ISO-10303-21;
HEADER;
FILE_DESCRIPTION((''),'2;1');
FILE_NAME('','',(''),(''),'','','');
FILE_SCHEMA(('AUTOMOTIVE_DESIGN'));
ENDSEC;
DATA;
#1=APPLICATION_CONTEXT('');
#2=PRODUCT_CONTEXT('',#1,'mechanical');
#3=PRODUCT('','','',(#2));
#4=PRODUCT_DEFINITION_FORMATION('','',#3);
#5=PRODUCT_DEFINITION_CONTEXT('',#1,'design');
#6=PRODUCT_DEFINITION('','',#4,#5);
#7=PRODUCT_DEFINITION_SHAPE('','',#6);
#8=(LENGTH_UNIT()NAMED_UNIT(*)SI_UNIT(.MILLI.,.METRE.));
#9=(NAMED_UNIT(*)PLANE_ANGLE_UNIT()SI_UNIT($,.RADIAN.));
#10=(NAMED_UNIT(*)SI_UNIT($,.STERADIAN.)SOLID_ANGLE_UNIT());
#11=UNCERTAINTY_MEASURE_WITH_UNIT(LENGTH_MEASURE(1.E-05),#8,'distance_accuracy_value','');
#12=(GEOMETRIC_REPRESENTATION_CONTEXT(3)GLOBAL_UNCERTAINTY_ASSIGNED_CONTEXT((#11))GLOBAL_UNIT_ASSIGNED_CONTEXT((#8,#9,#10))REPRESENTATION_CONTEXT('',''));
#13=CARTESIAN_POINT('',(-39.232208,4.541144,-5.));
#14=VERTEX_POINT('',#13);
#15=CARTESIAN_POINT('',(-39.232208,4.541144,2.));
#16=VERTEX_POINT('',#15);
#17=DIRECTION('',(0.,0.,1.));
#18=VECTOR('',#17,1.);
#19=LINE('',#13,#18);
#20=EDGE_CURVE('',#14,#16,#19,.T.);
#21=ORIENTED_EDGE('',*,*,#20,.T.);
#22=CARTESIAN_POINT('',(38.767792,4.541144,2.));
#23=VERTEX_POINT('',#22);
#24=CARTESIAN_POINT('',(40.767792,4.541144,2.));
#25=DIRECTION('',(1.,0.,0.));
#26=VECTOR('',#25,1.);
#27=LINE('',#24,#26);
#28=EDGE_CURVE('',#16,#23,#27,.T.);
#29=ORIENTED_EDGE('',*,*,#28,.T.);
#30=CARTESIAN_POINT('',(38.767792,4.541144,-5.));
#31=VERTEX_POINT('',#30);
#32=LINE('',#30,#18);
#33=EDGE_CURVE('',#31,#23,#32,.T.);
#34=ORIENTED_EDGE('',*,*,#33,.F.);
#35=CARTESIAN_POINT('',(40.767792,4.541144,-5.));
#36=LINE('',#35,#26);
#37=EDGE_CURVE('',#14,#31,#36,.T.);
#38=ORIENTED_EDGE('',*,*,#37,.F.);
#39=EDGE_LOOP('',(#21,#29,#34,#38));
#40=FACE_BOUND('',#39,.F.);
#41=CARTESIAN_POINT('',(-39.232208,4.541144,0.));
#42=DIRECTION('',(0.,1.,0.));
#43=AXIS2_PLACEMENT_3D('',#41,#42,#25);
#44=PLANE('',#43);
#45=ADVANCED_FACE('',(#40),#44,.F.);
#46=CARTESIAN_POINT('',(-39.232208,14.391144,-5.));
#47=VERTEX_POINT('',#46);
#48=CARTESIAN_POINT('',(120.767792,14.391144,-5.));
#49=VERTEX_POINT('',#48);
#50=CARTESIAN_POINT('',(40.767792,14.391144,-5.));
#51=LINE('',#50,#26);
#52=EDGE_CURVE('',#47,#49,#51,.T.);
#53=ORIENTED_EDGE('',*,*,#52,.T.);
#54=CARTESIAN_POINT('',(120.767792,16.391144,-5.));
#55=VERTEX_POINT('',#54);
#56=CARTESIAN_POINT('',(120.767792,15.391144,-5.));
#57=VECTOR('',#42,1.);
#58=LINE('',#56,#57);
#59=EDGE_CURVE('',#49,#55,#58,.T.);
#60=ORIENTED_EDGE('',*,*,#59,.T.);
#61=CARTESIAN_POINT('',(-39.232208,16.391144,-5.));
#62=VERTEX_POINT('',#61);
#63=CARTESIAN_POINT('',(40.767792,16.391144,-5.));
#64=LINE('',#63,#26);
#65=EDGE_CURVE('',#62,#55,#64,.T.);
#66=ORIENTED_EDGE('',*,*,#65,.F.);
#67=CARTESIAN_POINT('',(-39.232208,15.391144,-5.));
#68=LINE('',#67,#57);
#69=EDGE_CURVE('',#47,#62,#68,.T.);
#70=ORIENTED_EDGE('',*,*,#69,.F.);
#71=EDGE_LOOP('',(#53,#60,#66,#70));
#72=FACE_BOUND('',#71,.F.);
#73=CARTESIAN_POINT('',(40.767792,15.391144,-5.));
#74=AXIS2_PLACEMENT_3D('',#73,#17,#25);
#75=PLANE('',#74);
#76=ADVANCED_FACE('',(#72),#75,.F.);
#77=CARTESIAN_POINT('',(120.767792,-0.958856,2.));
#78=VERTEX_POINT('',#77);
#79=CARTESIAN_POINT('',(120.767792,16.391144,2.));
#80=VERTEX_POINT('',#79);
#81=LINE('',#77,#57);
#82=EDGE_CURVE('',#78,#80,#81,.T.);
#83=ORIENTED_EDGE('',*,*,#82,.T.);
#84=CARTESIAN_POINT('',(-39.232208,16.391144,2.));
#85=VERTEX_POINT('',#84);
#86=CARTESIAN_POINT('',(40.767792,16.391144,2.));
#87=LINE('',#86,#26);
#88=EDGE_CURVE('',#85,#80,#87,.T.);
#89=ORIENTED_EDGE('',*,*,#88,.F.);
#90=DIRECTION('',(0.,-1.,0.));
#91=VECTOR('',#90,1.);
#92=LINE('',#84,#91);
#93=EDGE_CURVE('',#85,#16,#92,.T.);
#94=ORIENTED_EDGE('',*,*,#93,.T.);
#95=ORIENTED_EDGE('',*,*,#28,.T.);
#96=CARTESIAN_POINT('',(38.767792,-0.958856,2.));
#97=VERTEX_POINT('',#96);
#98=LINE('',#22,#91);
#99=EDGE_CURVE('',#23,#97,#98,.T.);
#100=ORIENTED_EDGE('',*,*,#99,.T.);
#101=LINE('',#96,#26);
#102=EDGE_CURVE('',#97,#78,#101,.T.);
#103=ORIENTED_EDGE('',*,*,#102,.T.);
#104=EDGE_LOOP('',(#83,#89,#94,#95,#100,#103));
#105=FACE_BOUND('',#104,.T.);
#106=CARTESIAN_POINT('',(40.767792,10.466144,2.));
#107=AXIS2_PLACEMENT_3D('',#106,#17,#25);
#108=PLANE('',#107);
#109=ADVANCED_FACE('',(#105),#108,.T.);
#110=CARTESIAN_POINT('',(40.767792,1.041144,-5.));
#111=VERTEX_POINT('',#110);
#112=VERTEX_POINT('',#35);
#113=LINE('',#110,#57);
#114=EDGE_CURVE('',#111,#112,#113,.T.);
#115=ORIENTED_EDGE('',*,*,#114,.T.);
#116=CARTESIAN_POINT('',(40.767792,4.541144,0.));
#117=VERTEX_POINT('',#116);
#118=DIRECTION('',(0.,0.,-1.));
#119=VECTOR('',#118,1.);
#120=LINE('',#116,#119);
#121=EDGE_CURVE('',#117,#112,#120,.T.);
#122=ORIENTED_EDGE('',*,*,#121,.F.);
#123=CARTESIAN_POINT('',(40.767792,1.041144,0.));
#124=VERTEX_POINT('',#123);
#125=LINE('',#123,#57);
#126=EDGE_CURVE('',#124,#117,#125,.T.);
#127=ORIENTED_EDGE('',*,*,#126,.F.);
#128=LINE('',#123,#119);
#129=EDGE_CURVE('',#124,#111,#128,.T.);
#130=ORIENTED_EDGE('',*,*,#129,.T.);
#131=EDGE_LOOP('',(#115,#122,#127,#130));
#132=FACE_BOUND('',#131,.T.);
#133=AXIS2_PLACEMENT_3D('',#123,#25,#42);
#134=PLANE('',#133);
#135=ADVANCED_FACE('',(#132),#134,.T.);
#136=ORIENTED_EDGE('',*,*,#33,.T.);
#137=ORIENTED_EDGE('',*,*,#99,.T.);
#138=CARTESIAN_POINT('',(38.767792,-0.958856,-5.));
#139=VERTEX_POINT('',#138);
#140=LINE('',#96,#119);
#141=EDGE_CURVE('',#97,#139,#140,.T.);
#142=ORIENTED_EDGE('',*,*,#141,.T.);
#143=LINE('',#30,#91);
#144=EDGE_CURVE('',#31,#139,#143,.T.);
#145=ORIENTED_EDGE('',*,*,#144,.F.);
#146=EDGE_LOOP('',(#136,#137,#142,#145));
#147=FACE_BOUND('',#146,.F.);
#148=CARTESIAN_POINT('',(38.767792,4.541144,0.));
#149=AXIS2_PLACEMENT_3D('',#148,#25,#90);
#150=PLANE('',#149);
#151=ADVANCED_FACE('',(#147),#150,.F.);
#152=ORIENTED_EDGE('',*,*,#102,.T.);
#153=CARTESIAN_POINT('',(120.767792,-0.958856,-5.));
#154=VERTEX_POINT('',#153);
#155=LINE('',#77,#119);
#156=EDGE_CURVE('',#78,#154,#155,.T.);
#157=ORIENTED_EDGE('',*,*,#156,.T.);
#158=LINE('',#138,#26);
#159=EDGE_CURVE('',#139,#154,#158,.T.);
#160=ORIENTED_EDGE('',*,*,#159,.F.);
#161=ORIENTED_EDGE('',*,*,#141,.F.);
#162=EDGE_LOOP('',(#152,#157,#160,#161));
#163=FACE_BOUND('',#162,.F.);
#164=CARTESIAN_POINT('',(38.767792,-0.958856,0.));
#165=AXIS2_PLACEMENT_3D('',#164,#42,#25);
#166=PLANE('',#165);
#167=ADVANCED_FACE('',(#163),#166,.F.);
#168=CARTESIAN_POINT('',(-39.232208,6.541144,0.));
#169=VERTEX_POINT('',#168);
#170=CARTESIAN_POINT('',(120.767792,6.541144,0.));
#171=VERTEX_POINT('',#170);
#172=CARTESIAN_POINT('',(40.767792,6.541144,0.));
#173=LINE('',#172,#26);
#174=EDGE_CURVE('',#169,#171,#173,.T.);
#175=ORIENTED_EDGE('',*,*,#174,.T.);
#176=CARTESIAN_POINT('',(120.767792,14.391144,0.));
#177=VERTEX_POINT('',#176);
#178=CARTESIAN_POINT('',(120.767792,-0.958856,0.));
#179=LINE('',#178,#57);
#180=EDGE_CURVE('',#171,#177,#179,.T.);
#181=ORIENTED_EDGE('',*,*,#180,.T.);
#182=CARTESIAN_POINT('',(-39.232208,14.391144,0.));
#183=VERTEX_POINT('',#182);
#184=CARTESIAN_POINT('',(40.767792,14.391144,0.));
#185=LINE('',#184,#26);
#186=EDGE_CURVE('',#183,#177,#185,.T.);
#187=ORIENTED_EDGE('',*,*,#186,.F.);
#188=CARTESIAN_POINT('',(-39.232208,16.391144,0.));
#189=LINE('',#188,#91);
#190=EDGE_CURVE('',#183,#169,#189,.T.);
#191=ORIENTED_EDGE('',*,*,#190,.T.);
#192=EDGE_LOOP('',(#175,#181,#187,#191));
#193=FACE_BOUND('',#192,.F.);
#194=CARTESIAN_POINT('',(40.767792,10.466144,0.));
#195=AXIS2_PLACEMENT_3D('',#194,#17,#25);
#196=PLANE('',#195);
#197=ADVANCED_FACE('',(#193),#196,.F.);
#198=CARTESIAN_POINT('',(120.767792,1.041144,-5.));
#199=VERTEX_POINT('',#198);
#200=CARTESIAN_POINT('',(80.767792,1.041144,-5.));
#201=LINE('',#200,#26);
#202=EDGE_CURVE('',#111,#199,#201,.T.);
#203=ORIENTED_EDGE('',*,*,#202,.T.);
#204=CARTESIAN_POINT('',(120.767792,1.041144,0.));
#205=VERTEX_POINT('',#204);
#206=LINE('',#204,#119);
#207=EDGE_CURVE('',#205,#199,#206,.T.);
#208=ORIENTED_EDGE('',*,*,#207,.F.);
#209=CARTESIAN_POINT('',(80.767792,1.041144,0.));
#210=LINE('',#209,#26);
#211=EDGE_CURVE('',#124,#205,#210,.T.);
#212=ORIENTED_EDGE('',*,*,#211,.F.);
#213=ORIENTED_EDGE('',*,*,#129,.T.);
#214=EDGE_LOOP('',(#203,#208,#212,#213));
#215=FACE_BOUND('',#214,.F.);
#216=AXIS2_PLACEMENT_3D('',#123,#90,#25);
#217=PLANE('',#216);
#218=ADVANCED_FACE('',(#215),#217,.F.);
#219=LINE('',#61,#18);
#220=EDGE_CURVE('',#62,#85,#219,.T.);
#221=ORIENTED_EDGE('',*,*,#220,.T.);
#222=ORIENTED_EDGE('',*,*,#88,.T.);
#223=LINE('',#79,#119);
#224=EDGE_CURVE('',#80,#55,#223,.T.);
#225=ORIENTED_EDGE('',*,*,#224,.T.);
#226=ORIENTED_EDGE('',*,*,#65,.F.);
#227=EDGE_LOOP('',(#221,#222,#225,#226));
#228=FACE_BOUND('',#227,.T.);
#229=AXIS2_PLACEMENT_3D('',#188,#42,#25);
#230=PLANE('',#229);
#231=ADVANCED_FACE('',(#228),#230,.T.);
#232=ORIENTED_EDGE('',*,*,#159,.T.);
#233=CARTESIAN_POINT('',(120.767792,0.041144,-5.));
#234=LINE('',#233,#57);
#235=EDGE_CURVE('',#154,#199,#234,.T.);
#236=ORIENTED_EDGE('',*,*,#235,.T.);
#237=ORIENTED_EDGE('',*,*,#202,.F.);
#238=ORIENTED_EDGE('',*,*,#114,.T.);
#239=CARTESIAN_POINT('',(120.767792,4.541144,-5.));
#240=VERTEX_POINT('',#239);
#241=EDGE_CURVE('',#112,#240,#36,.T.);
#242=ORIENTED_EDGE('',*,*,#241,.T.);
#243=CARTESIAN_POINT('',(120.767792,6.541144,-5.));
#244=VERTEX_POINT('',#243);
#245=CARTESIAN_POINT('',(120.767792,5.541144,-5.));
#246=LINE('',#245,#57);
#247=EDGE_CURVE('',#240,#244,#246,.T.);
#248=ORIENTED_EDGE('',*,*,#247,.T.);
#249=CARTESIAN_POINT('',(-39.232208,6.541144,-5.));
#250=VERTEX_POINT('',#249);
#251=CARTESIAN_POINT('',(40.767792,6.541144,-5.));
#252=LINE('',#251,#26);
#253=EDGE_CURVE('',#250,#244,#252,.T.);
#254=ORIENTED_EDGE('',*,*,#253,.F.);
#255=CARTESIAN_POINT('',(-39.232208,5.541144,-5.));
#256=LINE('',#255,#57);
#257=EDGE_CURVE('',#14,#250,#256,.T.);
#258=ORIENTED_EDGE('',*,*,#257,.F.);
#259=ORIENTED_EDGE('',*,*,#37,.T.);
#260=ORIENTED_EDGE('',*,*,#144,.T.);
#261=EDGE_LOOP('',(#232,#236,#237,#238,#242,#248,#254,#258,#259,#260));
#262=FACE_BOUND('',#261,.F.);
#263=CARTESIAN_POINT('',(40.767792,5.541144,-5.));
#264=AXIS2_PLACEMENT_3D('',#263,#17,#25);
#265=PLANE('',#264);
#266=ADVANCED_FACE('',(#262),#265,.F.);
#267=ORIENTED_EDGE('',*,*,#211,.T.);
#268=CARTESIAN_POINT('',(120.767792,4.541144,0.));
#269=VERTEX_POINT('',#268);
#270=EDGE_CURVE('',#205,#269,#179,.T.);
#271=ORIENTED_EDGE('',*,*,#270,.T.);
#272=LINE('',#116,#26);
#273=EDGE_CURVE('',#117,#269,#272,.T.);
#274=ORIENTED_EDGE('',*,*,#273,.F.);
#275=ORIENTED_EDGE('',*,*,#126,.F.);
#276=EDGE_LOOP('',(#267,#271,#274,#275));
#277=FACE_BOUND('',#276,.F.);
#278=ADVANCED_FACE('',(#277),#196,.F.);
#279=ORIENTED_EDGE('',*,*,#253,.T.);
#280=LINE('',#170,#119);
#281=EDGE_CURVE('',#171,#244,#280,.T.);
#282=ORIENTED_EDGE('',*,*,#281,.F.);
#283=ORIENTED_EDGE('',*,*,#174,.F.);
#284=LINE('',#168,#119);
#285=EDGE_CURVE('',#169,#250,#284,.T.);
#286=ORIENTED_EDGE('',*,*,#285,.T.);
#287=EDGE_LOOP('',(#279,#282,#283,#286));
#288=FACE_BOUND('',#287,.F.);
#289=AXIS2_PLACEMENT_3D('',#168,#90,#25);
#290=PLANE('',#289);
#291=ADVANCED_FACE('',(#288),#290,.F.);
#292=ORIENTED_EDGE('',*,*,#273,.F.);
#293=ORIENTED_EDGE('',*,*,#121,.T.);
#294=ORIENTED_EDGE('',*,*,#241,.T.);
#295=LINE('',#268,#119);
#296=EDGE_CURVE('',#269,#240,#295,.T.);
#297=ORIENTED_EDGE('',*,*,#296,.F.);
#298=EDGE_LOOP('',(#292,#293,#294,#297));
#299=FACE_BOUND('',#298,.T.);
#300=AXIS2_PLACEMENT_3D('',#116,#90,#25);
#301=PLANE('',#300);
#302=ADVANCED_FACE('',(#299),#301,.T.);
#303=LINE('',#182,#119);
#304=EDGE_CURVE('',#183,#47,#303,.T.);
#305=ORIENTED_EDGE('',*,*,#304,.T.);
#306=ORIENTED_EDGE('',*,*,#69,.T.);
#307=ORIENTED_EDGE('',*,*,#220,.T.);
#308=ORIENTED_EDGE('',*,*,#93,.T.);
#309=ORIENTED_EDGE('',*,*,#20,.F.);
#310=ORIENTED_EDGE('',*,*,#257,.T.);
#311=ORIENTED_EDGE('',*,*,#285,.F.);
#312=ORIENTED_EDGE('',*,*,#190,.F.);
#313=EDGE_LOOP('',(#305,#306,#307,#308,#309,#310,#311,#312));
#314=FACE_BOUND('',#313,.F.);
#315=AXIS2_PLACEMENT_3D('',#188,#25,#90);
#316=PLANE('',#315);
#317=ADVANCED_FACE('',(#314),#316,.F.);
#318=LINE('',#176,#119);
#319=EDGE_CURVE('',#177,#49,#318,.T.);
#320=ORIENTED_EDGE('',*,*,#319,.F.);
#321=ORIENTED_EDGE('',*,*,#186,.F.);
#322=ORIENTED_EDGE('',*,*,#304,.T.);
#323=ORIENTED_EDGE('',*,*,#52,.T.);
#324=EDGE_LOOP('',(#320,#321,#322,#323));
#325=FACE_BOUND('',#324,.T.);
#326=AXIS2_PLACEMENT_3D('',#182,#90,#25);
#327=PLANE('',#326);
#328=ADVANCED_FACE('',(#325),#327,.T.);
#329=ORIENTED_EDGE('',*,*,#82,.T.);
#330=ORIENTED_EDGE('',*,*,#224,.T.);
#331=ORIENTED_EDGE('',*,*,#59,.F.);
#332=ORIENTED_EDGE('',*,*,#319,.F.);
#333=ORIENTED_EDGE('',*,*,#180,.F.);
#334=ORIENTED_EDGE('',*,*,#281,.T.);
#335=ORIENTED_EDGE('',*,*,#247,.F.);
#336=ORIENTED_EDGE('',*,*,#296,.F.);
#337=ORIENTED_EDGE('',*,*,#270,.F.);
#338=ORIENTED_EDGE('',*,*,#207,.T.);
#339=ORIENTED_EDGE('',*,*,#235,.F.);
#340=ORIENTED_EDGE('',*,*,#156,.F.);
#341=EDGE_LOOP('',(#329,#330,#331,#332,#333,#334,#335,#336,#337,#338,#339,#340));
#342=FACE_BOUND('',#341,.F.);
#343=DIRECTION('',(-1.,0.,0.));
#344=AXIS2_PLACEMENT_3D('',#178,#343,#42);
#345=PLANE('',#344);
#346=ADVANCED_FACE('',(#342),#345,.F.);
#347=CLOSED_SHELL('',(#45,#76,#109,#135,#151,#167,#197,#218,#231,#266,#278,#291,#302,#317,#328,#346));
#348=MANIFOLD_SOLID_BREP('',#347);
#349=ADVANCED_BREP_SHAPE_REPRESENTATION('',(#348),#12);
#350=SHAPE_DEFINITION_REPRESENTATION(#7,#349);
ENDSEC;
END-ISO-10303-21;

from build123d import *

# Parameters (mm, degrees)
ESBO_O1_W                = 160
ESBO_O1_H                = 2
ESBO_O1_W_2              = 80
RESSALTO_EXTRUS_O1_DEPTH = 5
ESBO_O1_3_W              = 160
ESBO_O1_3_H              = 7.85
ESBO_O1_3_W_2            = 80
ESBO_O1_3_H_2            = 3.5
ESBO_O1_3_H_3            = 2
RESSALTO_EXTRUS_O2_DEPTH = 2


with BuildPart() as part:
    # Esbo_o1 → Ressalto-extrus_o1 (new body)
    with BuildSketch(Plane.XY):
        with Locations((40.767792431, 15.391143911)):
            Rectangle(ESBO_O1_W, ESBO_O1_H)
        with Locations((40.767792431, 5.541143911)):
            Rectangle(ESBO_O1_W, ESBO_O1_H)
        with Locations((80.767792431, 0.041143911)):
            Rectangle(ESBO_O1_W_2, ESBO_O1_H)
        Polygon((40.767792431, 4.541143911), (38.767792431, 4.541143911), (38.767792431, -0.958856089), (40.767792431, -0.958856089), (40.767792431, 1.041143911), align=None)
    extrude(amount=-RESSALTO_EXTRUS_O1_DEPTH)

    # Esbo_o1_3 → Ressalto-extrus_o2 (add)
    with BuildSketch(Plane.XY):
        with Locations((40.767792431, 10.466143911)):
            Rectangle(ESBO_O1_3_W, ESBO_O1_3_H)
        with Locations((80.767792431, 2.791143911)):
            Rectangle(ESBO_O1_3_W_2, ESBO_O1_3_H_2)
        with Locations((40.767792431, 15.391143911)):
            Rectangle(ESBO_O1_3_W, ESBO_O1_3_H_3)
        with Locations((40.767792431, 5.541143911)):
            Rectangle(ESBO_O1_3_W, ESBO_O1_3_H_3)
        with Locations((80.767792431, 0.041143911)):
            Rectangle(ESBO_O1_3_W_2, ESBO_O1_3_H_3)
        Polygon((40.767792431, 4.541143911), (38.767792431, 4.541143911), (38.767792431, -0.958856089), (40.767792431, -0.958856089), (40.767792431, 1.041143911), align=None)
    extrude(amount=RESSALTO_EXTRUS_O2_DEPTH)


solid = part.part
